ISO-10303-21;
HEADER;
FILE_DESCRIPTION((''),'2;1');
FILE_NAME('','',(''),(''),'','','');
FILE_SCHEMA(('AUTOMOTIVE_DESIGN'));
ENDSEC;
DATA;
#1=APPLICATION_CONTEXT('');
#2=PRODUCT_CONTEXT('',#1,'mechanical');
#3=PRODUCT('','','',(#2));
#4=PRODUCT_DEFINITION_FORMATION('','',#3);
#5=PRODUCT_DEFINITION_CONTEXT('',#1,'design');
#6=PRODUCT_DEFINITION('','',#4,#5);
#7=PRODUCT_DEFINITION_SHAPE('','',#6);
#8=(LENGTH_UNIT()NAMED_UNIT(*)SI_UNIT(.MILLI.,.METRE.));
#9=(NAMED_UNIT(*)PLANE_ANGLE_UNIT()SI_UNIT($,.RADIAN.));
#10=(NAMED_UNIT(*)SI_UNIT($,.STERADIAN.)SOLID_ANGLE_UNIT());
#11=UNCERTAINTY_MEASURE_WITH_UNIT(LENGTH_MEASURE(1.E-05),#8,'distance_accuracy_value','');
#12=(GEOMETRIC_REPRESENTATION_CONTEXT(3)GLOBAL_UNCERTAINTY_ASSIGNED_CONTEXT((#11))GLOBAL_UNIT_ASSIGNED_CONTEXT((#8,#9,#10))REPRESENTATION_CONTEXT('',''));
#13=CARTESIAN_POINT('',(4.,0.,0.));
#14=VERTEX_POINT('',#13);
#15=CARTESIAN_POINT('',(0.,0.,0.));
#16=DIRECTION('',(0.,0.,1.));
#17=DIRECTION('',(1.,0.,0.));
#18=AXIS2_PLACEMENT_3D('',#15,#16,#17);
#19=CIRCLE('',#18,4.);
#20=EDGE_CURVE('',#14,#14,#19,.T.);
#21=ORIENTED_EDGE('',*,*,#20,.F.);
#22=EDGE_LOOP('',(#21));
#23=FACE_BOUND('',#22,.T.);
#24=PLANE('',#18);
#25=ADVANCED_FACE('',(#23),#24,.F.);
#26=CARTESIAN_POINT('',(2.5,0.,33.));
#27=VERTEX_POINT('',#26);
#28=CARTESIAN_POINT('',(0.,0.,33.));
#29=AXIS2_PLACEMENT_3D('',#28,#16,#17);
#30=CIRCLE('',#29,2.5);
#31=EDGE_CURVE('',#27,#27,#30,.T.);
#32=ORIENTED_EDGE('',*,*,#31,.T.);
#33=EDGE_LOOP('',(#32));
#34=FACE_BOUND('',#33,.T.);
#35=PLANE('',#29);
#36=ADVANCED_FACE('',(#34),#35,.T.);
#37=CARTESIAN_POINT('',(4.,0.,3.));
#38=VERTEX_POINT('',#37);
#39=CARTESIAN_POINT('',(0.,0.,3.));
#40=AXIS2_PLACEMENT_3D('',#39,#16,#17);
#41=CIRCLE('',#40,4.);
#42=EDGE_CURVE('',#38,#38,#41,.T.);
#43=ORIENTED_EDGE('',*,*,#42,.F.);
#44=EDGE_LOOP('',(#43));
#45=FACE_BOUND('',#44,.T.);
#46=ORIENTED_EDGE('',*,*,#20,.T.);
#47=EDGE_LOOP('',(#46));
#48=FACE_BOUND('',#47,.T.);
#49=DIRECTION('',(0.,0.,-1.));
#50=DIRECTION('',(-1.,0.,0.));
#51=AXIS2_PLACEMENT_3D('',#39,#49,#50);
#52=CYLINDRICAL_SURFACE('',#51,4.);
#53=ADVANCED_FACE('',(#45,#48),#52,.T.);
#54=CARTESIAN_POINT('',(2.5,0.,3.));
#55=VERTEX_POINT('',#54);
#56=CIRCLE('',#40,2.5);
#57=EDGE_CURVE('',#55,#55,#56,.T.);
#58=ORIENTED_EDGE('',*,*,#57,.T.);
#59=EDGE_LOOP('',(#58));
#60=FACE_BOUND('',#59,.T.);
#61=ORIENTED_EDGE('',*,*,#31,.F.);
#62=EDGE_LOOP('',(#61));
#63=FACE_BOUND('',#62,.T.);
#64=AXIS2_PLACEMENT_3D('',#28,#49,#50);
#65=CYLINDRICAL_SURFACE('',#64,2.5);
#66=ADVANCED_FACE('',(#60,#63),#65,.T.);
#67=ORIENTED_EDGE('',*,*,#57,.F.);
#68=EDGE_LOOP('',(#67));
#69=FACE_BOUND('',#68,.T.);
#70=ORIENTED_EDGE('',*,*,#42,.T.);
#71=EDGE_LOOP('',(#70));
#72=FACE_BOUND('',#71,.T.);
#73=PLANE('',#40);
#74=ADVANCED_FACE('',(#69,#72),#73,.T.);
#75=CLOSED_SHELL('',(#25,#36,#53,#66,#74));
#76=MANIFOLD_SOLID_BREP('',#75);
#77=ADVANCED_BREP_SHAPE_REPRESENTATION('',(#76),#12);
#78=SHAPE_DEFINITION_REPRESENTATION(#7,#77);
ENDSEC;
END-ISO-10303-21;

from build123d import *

# Parameters (mm, degrees)
SKETCH_1_R      = 4
EXTRUDE_1_DEPTH = 3
SKETCH_2_R      = 2.5
EXTRUDE_2_DEPTH = 30


with BuildPart() as part:
    # 草图1 → 凸台-拉伸1 (new body)
    with BuildSketch(Plane.XY):
        Circle(SKETCH_1_R)
    extrude(amount=EXTRUDE_1_DEPTH)

    # 草图2 → 凸台-拉伸2 (add)
    with BuildSketch(Plane.XY.offset(3)):
        Circle(SKETCH_2_R)
    extrude(amount=EXTRUDE_2_DEPTH)


solid = part.part
